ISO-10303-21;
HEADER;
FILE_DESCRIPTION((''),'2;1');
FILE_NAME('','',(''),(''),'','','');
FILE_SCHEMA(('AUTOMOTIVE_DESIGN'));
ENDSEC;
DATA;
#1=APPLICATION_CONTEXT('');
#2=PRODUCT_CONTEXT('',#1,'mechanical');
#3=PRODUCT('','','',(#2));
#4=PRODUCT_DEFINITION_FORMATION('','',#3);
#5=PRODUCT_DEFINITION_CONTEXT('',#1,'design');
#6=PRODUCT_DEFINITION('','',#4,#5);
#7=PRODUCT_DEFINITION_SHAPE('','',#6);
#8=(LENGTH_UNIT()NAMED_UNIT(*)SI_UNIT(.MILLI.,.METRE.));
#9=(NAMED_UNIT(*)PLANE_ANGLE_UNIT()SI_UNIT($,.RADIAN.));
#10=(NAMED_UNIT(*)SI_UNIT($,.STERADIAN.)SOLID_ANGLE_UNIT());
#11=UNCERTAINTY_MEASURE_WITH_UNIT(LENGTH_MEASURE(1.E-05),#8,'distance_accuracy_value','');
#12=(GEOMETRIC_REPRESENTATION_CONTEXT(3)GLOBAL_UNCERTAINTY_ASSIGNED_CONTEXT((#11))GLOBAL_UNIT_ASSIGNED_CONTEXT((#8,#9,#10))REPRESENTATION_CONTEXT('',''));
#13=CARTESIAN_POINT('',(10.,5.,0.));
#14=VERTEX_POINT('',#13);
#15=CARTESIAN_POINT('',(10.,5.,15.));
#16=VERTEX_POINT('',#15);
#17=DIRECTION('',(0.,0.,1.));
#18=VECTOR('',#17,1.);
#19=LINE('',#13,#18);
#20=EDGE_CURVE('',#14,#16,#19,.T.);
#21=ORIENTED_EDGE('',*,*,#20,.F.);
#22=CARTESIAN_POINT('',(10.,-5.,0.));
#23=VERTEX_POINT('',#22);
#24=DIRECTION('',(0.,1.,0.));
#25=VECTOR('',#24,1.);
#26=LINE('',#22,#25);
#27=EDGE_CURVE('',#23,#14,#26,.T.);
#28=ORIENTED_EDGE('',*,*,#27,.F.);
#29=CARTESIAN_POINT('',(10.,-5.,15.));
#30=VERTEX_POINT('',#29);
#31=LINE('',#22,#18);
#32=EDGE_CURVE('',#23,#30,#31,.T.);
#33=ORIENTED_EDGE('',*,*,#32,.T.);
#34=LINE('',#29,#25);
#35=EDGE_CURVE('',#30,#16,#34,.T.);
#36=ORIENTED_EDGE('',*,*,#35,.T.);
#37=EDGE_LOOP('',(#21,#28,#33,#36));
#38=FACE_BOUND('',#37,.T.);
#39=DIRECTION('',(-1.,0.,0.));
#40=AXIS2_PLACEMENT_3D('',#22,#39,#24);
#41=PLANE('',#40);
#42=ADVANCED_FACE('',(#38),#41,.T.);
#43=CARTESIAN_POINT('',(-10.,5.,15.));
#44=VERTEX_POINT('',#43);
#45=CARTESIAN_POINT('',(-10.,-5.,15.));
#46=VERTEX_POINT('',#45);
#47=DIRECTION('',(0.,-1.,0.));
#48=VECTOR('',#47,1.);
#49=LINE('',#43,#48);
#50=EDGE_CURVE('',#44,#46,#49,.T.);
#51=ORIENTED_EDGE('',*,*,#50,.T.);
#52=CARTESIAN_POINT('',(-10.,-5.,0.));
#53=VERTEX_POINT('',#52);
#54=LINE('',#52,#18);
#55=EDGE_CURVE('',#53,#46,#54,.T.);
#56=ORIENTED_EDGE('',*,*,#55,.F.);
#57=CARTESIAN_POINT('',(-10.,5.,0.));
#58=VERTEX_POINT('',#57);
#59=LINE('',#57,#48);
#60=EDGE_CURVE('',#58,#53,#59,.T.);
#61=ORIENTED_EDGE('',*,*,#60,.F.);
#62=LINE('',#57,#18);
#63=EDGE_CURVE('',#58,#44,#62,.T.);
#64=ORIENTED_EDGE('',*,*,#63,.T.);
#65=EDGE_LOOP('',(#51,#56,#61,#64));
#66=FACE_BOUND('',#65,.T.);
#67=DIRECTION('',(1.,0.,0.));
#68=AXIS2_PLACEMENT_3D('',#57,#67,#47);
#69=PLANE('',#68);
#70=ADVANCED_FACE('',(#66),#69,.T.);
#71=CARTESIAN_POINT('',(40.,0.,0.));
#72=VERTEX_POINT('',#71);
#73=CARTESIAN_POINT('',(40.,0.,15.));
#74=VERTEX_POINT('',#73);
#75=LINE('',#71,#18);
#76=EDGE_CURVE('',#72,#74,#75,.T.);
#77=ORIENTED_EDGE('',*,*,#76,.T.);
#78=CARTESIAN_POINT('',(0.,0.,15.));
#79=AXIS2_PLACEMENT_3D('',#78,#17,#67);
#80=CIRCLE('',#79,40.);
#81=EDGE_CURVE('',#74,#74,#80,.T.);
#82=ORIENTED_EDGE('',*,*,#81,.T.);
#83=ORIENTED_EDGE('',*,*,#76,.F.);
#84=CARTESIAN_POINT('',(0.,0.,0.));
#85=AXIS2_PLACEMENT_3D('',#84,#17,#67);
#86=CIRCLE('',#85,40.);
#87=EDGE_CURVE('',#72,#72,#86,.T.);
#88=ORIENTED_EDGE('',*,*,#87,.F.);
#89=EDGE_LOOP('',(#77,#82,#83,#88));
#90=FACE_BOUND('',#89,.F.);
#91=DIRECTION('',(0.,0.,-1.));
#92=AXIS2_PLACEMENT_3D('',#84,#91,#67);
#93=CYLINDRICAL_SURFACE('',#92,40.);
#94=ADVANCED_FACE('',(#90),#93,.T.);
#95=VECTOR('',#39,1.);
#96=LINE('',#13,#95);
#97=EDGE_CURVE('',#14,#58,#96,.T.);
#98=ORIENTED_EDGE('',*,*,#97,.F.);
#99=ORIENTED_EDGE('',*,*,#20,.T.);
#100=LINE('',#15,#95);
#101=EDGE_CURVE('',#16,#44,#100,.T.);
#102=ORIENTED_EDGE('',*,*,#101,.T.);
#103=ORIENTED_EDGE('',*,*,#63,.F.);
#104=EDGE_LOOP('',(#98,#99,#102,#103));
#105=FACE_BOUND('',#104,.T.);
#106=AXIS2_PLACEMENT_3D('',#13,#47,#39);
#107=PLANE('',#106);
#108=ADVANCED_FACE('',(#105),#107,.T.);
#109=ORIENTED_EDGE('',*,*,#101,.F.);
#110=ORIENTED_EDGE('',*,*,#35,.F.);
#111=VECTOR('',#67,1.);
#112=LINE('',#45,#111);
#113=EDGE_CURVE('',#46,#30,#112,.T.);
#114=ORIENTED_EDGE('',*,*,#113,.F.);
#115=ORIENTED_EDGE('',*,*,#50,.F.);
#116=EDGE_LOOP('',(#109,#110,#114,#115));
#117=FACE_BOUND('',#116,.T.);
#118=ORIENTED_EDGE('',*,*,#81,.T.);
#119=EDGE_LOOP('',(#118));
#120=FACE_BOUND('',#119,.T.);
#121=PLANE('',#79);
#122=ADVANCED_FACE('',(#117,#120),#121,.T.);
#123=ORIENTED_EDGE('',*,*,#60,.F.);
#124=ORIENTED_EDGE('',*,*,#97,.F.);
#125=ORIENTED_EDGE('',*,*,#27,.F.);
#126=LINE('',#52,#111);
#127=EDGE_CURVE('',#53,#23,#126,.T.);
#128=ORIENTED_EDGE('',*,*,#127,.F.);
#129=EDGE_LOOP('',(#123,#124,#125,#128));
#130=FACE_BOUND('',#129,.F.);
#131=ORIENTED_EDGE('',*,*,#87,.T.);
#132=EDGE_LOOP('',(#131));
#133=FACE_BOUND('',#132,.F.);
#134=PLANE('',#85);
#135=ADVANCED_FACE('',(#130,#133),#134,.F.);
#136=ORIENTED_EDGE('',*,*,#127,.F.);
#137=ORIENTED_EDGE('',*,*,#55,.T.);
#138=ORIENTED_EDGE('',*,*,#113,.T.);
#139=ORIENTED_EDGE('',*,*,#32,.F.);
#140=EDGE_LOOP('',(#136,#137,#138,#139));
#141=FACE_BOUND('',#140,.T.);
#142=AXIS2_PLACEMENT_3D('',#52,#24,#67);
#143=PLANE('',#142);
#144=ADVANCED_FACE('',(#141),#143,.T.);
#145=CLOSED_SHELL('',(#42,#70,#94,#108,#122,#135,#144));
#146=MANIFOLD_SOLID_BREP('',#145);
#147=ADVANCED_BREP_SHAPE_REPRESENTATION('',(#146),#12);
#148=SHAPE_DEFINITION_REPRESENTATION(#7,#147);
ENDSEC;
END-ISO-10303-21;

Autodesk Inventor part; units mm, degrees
ref_plane "YZ Plane" through (0, 0, 0) normal (1, 0, 0) x (0, 1, 0)
ref_plane "XZ Plane" through (0, 0, 0) normal (0, 1, 0) x (-1, 0, 0)
ref_plane "XY Plane" through (0, 0, 0) normal (0, 0, 1) x (1, 0, 0)
sketch "Skizze1" plane through (0, 0, 0) normal (0, 0, 1) x (1, 0, 0)
  line L0 (-10, -5) -> (10, -5)
  line L1 (10, -5) -> (10, 5)
  line L2 (10, 5) -> (-10, 5)
  line L3 (-10, 5) -> (-10, -5)
  line L4 (-10, -5) -> (10, 5) construction
  line L5 (10, -5) -> (-10, 5) construction
  circle A0 centre (0, 0) radius 40
  dimension "d0" = 20
  dimension "d1" = 10
  dimension "d2" = 80
extrude "Extrusion1" add sketch "Skizze1" along normal blind 15
properties part number "Oberteil"
